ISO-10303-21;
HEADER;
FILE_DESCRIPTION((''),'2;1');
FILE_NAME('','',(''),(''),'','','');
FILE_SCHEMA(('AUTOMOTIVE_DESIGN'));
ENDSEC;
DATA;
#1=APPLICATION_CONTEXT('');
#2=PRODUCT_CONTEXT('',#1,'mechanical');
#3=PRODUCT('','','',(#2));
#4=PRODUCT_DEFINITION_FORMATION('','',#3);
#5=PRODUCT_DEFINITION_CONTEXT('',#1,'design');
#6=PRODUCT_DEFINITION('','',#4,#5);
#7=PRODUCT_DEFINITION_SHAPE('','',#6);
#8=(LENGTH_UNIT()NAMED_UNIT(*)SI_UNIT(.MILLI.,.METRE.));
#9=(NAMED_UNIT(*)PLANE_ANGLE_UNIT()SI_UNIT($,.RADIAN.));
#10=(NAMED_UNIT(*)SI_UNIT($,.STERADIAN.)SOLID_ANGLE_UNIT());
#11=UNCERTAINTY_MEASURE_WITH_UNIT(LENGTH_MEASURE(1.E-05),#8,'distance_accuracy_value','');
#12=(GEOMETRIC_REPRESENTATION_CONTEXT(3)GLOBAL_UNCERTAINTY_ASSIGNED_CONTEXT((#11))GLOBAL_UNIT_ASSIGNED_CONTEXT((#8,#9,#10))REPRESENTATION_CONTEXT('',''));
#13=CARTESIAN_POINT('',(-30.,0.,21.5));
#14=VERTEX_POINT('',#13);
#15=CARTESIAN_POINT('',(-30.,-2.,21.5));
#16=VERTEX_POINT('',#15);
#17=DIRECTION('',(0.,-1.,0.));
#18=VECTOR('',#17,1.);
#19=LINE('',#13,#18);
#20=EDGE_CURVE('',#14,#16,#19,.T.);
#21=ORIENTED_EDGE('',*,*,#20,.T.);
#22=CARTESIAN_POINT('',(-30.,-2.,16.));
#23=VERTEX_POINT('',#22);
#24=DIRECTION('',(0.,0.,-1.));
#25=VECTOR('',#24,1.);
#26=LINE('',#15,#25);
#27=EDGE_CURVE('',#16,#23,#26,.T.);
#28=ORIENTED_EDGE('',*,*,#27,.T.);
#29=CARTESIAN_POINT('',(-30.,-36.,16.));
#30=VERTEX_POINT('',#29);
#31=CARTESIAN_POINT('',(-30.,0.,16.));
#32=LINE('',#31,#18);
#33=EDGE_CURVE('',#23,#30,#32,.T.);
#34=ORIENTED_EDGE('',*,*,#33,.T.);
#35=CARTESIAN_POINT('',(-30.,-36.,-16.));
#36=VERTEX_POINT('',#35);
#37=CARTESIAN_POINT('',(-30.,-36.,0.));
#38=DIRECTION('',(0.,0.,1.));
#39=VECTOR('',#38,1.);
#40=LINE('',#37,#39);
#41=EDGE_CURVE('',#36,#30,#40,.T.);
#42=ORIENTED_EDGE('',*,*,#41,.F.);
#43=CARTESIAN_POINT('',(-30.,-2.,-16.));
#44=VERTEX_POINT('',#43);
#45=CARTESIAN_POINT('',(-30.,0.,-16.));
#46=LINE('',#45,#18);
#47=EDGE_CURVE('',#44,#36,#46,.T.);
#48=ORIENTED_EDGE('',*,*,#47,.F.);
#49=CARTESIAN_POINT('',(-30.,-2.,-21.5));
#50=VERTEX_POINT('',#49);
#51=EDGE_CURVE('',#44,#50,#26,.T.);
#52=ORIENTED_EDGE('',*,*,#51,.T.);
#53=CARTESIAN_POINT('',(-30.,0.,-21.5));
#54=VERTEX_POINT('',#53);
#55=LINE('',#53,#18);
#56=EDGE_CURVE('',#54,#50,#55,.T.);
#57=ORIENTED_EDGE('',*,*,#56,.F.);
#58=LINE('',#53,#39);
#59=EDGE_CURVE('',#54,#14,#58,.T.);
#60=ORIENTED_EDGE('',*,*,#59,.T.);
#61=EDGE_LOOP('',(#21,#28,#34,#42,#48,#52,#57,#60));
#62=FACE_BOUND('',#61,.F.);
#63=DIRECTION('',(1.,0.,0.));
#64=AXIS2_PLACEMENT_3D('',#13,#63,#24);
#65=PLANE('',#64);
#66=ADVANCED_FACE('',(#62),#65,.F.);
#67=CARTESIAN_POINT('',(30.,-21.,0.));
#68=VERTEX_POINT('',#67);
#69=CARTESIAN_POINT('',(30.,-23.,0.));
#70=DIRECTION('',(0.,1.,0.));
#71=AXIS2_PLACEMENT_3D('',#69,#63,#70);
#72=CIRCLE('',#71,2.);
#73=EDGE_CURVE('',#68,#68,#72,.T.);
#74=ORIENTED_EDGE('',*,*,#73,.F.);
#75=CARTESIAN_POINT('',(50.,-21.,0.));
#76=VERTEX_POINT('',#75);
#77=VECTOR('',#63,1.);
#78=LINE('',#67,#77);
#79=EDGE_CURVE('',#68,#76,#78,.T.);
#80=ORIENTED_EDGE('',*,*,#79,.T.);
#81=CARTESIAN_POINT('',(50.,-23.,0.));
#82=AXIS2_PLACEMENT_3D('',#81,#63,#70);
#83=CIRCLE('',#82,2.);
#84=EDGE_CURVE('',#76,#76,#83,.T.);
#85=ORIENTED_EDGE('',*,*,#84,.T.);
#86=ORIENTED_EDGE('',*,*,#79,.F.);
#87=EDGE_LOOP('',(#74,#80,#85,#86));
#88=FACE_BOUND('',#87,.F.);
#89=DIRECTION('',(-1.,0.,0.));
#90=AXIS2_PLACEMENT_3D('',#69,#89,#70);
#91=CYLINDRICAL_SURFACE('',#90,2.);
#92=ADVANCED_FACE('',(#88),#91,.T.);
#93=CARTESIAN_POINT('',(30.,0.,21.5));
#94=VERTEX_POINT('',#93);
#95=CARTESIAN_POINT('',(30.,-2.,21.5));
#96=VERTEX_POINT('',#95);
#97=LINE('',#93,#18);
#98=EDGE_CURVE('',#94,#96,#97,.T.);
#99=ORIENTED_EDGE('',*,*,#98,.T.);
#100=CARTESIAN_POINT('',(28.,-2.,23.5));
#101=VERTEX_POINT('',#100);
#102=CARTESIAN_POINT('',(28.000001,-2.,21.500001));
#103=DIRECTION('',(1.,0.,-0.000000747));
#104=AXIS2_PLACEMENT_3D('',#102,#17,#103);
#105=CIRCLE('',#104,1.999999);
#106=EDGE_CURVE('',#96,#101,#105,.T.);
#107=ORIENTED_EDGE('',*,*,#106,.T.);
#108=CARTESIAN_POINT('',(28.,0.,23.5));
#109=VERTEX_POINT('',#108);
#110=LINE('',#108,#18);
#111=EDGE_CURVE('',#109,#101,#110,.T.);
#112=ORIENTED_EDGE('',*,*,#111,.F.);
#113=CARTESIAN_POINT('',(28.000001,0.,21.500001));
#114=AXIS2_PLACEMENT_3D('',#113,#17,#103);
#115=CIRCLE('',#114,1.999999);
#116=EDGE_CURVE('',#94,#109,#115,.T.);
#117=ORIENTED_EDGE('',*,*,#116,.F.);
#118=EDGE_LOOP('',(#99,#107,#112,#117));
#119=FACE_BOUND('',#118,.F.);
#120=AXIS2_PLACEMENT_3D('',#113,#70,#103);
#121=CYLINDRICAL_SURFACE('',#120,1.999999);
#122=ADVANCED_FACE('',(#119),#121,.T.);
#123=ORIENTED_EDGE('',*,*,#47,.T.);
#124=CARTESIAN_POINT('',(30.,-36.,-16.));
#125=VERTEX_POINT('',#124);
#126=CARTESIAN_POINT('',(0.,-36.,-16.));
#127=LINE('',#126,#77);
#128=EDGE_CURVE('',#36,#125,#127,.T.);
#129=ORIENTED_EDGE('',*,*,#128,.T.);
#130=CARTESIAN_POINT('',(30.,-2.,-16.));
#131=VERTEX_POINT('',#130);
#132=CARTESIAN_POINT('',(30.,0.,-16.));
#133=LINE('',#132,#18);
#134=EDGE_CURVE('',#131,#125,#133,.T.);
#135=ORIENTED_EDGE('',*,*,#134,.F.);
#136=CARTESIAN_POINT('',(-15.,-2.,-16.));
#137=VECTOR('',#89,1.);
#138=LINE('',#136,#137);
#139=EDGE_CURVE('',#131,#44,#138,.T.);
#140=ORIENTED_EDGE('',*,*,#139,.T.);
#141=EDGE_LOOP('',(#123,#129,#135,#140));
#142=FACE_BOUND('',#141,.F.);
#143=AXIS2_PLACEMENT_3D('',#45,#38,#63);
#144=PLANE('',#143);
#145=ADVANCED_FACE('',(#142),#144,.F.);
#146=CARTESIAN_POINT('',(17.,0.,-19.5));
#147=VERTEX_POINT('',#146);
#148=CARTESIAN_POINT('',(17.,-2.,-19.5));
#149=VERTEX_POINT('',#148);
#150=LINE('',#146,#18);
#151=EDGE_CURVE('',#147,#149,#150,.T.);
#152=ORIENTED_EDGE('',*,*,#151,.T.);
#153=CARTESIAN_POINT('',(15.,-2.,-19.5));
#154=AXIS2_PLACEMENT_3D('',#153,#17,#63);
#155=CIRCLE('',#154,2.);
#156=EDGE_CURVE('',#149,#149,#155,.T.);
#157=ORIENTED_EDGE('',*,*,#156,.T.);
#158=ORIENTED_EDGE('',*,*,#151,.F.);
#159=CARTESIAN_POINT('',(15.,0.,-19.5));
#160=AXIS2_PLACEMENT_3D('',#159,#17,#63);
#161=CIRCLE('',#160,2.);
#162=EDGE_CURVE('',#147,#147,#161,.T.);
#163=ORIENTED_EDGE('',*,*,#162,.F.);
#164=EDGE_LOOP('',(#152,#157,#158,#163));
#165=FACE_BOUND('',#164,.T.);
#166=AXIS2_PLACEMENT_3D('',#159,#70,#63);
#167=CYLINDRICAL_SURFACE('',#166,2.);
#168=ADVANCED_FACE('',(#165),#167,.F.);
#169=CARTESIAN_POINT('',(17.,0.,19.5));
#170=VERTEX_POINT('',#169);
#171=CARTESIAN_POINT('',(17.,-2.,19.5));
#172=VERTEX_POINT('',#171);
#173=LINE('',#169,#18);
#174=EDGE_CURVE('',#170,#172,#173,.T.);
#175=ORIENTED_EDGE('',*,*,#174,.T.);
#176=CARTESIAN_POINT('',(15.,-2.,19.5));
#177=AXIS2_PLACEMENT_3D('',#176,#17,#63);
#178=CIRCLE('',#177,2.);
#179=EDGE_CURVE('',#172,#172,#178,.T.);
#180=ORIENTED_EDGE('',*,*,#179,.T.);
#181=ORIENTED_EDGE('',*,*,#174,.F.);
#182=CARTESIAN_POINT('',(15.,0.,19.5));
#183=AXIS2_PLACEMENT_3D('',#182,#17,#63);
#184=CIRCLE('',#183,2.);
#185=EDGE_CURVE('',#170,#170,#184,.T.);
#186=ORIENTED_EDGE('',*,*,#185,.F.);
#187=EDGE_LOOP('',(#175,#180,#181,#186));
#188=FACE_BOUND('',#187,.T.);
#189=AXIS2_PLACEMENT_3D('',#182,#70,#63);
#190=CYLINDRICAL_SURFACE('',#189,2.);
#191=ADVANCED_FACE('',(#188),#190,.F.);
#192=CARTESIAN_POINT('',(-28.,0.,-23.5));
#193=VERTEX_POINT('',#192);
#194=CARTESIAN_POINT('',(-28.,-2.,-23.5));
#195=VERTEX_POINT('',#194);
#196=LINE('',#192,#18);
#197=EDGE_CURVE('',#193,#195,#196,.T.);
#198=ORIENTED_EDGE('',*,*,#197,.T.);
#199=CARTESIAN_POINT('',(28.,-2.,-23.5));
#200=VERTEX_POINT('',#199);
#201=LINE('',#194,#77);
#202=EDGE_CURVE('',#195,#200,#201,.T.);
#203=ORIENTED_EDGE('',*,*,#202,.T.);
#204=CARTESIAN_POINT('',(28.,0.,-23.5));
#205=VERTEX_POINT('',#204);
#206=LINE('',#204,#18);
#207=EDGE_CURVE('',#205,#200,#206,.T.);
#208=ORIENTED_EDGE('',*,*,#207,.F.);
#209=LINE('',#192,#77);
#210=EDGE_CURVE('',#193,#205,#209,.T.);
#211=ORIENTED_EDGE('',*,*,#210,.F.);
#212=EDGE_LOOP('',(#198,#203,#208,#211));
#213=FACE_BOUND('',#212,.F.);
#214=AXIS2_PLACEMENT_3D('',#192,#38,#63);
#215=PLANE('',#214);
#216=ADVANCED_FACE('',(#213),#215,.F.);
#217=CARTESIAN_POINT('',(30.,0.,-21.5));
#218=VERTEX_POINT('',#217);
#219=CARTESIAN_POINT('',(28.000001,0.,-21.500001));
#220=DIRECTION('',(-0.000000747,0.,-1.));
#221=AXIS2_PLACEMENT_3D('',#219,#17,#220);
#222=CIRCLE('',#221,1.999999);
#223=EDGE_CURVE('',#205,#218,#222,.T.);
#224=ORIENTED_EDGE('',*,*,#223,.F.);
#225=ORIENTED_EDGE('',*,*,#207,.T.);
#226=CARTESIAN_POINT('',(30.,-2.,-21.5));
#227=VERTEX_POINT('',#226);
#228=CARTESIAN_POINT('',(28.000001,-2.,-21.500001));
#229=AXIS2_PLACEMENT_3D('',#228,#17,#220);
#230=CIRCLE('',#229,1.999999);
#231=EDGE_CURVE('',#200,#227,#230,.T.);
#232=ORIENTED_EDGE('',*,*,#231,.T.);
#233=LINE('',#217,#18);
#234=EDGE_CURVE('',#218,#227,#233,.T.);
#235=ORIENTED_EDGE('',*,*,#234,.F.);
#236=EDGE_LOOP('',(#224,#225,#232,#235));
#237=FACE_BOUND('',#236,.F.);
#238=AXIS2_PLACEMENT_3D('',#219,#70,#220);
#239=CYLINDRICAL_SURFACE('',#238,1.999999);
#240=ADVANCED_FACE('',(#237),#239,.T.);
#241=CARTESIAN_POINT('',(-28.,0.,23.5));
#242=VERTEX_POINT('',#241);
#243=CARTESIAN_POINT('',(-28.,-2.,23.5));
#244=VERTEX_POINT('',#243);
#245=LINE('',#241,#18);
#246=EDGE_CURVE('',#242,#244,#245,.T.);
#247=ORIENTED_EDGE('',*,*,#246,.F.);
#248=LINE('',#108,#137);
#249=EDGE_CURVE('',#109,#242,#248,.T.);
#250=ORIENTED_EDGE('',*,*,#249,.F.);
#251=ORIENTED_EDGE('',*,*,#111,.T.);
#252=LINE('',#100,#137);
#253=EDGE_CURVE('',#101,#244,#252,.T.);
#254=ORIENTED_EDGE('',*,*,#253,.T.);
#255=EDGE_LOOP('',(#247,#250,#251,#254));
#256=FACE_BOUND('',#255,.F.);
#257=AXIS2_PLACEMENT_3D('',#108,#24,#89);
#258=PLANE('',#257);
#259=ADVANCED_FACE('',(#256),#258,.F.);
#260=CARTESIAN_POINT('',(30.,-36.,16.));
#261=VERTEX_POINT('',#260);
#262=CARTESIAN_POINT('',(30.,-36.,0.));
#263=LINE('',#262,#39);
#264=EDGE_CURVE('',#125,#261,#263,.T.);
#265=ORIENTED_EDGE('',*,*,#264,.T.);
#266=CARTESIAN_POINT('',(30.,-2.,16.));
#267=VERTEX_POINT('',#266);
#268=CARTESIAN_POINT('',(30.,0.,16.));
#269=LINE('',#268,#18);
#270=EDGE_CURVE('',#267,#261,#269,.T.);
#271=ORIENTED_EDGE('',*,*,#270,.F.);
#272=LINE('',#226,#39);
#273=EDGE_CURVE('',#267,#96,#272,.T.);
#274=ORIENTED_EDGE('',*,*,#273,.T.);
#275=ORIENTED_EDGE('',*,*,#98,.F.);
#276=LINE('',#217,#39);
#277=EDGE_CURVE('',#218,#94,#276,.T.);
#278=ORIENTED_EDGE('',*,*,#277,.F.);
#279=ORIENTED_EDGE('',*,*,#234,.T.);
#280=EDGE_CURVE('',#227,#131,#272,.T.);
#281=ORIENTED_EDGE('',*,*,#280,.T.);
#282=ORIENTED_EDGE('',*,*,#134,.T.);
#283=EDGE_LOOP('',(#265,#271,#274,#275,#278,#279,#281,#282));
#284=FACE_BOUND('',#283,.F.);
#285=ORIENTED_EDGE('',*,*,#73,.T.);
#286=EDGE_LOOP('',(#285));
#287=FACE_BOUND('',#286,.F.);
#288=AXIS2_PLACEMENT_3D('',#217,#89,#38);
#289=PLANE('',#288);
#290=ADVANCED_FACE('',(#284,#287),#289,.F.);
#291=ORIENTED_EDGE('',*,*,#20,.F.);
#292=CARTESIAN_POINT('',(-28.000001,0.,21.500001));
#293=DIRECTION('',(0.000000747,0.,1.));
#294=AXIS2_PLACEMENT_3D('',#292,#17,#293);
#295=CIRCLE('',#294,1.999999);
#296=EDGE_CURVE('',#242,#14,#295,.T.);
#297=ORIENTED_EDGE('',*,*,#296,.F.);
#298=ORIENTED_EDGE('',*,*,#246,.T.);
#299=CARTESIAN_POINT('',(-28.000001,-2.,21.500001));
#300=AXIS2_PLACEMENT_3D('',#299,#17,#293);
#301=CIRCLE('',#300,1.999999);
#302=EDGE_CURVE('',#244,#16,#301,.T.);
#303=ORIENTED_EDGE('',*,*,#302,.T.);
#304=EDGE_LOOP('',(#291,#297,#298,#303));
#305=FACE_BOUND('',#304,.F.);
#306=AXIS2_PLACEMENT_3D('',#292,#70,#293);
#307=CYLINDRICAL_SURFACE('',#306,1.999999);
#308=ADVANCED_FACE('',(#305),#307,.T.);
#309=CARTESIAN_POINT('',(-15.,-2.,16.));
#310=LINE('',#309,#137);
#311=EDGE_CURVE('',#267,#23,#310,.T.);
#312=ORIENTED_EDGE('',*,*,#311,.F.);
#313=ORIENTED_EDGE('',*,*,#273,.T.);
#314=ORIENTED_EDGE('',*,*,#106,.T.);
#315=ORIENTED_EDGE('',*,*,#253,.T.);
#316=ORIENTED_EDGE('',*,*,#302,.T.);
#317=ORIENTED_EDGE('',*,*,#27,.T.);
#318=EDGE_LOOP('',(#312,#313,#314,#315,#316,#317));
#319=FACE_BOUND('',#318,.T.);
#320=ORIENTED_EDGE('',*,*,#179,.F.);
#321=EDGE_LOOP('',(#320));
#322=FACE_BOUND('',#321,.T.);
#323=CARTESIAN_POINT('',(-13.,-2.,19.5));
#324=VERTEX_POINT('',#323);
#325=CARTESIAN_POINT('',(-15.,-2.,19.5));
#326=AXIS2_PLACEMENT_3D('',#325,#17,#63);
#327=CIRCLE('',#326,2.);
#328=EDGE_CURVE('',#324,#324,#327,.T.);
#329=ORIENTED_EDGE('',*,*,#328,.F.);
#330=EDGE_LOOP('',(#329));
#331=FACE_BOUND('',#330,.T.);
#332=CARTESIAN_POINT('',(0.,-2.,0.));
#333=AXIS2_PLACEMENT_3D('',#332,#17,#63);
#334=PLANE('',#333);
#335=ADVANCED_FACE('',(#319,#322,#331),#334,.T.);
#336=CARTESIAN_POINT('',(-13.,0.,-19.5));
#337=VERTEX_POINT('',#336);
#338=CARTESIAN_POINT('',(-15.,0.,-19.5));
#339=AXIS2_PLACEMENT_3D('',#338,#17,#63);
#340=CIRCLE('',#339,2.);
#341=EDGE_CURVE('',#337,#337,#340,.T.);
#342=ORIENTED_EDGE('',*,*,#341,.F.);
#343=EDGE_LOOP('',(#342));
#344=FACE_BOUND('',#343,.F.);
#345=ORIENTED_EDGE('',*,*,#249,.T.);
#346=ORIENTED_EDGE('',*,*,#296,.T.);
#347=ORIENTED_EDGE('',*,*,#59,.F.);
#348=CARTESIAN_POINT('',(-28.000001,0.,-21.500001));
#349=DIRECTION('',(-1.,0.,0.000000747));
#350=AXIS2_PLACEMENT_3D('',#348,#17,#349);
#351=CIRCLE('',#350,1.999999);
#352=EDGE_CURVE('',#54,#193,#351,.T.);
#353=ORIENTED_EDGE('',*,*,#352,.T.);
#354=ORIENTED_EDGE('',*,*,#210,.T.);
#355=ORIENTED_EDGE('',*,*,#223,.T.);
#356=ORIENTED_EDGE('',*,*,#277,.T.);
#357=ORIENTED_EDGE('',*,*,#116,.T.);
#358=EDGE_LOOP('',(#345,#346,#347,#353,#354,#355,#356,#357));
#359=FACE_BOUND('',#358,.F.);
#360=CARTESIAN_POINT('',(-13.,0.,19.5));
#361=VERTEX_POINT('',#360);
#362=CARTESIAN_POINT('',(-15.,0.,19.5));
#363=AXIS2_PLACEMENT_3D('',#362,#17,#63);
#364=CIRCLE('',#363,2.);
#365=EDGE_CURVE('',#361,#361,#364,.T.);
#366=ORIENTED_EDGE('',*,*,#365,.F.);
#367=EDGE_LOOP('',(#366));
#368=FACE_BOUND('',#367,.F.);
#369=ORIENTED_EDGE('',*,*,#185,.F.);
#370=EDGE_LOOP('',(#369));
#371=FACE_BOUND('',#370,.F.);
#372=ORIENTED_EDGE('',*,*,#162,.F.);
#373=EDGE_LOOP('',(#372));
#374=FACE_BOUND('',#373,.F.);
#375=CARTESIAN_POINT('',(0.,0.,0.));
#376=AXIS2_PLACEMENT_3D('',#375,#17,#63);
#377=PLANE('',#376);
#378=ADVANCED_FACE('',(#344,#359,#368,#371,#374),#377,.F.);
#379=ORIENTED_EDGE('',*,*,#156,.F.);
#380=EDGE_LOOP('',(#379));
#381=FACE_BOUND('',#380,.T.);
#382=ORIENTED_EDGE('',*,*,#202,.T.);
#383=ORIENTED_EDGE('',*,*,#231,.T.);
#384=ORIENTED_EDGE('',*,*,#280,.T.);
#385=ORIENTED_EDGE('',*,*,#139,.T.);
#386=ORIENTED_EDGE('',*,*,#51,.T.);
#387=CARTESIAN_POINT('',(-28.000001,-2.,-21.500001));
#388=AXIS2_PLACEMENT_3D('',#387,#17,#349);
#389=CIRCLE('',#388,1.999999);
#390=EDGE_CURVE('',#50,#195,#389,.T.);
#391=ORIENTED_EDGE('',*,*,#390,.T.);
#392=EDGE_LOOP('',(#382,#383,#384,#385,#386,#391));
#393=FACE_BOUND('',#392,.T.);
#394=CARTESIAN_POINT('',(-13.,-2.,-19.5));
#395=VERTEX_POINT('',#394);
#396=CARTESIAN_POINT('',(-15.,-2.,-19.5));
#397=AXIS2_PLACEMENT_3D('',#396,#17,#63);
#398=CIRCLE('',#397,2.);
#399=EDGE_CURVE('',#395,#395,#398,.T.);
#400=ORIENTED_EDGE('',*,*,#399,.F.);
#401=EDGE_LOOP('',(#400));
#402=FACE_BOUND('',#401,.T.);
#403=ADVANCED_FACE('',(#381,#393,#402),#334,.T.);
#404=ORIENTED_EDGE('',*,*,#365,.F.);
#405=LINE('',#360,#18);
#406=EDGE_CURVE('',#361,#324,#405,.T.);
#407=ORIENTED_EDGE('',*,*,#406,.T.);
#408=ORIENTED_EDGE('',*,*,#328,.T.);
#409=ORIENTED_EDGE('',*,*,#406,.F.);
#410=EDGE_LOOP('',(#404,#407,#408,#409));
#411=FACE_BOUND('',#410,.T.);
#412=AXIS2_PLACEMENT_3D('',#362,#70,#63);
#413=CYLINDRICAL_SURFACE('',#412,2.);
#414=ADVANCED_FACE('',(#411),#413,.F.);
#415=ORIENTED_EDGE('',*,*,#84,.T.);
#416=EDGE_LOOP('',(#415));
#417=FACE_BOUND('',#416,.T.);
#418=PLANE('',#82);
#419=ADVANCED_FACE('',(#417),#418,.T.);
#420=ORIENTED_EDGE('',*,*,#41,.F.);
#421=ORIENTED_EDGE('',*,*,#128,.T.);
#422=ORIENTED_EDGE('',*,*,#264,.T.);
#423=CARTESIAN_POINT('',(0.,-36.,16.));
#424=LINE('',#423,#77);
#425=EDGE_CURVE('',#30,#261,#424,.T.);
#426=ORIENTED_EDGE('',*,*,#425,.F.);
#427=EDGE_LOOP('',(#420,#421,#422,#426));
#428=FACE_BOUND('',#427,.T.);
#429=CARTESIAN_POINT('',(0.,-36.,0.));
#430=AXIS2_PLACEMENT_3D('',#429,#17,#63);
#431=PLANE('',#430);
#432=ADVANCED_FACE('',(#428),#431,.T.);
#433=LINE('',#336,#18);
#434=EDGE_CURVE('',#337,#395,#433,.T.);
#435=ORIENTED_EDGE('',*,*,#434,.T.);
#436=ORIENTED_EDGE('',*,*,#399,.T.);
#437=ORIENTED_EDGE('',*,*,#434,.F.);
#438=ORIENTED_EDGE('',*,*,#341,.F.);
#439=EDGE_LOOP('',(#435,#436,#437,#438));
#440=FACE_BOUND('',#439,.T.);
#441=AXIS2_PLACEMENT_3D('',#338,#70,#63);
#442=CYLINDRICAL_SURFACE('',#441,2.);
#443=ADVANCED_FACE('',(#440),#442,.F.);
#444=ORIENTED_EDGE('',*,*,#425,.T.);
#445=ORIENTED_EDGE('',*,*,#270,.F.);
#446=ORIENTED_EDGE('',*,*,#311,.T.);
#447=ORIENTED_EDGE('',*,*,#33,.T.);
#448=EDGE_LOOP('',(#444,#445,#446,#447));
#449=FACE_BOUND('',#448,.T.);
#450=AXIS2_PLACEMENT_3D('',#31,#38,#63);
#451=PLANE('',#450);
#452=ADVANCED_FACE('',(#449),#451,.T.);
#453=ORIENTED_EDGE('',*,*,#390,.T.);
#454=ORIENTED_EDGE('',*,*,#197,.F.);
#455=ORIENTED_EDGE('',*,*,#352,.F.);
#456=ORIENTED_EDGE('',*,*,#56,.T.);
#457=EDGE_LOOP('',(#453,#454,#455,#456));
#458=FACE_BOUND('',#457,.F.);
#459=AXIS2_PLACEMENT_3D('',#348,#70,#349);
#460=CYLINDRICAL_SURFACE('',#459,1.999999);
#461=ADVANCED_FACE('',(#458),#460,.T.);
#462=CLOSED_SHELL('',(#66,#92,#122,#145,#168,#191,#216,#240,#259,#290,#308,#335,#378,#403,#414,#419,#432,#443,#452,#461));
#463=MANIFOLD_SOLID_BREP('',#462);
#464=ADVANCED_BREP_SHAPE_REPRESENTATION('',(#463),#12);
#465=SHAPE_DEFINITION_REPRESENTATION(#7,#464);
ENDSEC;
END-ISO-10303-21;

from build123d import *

# Parameters (mm, degrees)
F0_R     = 2
F1_DEPTH = 2
F2_W     = 60
F2_H     = 32
F3_DEPTH = 36
F4_R     = 2
F5_DEPTH = 20


with BuildPart() as f1:
    # F0 (on Front) → F1 (new body)
    with BuildSketch(Plane.XZ):
        with BuildLine():
            ThreePointArc((30, 21.5), (29.414214, 22.914214), (28, 23.5))
            Line((28, 23.5), (-28, 23.5))
            ThreePointArc((-28, 23.5), (-29.414214, 22.914214), (-30, 21.5))
            Line((-30, 21.5), (-30, -21.5))
            ThreePointArc((-30, -21.5), (-29.414214, -22.914214), (-28, -23.5))
            Line((-28, -23.5), (28, -23.5))
            ThreePointArc((28, -23.5), (29.414214, -22.914214), (30, -21.5))
            Line((30, -21.5), (30, 21.5))
        make_face()
        with Locations((-15, -19.5)):
            Circle(F0_R, mode=Mode.SUBTRACT)
        with Locations((15, -19.5)):
            Circle(F0_R, mode=Mode.SUBTRACT)
        with Locations((-15, 19.5)):
            Circle(F0_R, mode=Mode.SUBTRACT)
        with Locations((15, 19.5)):
            Circle(F0_R, mode=Mode.SUBTRACT)
    extrude(amount=F1_DEPTH)

    # F2 (on Front) → F3 (join)
    with BuildSketch(Plane.XZ):
        Rectangle(F2_W, F2_H)
    extrude(amount=F3_DEPTH)

    # F4 (on face) → F5 (join)
    with BuildSketch(Plane.YZ.offset(30)):
        with Locations((-23, 0)):
            Circle(F4_R)
    extrude(amount=F5_DEPTH)


solid = f1.part
